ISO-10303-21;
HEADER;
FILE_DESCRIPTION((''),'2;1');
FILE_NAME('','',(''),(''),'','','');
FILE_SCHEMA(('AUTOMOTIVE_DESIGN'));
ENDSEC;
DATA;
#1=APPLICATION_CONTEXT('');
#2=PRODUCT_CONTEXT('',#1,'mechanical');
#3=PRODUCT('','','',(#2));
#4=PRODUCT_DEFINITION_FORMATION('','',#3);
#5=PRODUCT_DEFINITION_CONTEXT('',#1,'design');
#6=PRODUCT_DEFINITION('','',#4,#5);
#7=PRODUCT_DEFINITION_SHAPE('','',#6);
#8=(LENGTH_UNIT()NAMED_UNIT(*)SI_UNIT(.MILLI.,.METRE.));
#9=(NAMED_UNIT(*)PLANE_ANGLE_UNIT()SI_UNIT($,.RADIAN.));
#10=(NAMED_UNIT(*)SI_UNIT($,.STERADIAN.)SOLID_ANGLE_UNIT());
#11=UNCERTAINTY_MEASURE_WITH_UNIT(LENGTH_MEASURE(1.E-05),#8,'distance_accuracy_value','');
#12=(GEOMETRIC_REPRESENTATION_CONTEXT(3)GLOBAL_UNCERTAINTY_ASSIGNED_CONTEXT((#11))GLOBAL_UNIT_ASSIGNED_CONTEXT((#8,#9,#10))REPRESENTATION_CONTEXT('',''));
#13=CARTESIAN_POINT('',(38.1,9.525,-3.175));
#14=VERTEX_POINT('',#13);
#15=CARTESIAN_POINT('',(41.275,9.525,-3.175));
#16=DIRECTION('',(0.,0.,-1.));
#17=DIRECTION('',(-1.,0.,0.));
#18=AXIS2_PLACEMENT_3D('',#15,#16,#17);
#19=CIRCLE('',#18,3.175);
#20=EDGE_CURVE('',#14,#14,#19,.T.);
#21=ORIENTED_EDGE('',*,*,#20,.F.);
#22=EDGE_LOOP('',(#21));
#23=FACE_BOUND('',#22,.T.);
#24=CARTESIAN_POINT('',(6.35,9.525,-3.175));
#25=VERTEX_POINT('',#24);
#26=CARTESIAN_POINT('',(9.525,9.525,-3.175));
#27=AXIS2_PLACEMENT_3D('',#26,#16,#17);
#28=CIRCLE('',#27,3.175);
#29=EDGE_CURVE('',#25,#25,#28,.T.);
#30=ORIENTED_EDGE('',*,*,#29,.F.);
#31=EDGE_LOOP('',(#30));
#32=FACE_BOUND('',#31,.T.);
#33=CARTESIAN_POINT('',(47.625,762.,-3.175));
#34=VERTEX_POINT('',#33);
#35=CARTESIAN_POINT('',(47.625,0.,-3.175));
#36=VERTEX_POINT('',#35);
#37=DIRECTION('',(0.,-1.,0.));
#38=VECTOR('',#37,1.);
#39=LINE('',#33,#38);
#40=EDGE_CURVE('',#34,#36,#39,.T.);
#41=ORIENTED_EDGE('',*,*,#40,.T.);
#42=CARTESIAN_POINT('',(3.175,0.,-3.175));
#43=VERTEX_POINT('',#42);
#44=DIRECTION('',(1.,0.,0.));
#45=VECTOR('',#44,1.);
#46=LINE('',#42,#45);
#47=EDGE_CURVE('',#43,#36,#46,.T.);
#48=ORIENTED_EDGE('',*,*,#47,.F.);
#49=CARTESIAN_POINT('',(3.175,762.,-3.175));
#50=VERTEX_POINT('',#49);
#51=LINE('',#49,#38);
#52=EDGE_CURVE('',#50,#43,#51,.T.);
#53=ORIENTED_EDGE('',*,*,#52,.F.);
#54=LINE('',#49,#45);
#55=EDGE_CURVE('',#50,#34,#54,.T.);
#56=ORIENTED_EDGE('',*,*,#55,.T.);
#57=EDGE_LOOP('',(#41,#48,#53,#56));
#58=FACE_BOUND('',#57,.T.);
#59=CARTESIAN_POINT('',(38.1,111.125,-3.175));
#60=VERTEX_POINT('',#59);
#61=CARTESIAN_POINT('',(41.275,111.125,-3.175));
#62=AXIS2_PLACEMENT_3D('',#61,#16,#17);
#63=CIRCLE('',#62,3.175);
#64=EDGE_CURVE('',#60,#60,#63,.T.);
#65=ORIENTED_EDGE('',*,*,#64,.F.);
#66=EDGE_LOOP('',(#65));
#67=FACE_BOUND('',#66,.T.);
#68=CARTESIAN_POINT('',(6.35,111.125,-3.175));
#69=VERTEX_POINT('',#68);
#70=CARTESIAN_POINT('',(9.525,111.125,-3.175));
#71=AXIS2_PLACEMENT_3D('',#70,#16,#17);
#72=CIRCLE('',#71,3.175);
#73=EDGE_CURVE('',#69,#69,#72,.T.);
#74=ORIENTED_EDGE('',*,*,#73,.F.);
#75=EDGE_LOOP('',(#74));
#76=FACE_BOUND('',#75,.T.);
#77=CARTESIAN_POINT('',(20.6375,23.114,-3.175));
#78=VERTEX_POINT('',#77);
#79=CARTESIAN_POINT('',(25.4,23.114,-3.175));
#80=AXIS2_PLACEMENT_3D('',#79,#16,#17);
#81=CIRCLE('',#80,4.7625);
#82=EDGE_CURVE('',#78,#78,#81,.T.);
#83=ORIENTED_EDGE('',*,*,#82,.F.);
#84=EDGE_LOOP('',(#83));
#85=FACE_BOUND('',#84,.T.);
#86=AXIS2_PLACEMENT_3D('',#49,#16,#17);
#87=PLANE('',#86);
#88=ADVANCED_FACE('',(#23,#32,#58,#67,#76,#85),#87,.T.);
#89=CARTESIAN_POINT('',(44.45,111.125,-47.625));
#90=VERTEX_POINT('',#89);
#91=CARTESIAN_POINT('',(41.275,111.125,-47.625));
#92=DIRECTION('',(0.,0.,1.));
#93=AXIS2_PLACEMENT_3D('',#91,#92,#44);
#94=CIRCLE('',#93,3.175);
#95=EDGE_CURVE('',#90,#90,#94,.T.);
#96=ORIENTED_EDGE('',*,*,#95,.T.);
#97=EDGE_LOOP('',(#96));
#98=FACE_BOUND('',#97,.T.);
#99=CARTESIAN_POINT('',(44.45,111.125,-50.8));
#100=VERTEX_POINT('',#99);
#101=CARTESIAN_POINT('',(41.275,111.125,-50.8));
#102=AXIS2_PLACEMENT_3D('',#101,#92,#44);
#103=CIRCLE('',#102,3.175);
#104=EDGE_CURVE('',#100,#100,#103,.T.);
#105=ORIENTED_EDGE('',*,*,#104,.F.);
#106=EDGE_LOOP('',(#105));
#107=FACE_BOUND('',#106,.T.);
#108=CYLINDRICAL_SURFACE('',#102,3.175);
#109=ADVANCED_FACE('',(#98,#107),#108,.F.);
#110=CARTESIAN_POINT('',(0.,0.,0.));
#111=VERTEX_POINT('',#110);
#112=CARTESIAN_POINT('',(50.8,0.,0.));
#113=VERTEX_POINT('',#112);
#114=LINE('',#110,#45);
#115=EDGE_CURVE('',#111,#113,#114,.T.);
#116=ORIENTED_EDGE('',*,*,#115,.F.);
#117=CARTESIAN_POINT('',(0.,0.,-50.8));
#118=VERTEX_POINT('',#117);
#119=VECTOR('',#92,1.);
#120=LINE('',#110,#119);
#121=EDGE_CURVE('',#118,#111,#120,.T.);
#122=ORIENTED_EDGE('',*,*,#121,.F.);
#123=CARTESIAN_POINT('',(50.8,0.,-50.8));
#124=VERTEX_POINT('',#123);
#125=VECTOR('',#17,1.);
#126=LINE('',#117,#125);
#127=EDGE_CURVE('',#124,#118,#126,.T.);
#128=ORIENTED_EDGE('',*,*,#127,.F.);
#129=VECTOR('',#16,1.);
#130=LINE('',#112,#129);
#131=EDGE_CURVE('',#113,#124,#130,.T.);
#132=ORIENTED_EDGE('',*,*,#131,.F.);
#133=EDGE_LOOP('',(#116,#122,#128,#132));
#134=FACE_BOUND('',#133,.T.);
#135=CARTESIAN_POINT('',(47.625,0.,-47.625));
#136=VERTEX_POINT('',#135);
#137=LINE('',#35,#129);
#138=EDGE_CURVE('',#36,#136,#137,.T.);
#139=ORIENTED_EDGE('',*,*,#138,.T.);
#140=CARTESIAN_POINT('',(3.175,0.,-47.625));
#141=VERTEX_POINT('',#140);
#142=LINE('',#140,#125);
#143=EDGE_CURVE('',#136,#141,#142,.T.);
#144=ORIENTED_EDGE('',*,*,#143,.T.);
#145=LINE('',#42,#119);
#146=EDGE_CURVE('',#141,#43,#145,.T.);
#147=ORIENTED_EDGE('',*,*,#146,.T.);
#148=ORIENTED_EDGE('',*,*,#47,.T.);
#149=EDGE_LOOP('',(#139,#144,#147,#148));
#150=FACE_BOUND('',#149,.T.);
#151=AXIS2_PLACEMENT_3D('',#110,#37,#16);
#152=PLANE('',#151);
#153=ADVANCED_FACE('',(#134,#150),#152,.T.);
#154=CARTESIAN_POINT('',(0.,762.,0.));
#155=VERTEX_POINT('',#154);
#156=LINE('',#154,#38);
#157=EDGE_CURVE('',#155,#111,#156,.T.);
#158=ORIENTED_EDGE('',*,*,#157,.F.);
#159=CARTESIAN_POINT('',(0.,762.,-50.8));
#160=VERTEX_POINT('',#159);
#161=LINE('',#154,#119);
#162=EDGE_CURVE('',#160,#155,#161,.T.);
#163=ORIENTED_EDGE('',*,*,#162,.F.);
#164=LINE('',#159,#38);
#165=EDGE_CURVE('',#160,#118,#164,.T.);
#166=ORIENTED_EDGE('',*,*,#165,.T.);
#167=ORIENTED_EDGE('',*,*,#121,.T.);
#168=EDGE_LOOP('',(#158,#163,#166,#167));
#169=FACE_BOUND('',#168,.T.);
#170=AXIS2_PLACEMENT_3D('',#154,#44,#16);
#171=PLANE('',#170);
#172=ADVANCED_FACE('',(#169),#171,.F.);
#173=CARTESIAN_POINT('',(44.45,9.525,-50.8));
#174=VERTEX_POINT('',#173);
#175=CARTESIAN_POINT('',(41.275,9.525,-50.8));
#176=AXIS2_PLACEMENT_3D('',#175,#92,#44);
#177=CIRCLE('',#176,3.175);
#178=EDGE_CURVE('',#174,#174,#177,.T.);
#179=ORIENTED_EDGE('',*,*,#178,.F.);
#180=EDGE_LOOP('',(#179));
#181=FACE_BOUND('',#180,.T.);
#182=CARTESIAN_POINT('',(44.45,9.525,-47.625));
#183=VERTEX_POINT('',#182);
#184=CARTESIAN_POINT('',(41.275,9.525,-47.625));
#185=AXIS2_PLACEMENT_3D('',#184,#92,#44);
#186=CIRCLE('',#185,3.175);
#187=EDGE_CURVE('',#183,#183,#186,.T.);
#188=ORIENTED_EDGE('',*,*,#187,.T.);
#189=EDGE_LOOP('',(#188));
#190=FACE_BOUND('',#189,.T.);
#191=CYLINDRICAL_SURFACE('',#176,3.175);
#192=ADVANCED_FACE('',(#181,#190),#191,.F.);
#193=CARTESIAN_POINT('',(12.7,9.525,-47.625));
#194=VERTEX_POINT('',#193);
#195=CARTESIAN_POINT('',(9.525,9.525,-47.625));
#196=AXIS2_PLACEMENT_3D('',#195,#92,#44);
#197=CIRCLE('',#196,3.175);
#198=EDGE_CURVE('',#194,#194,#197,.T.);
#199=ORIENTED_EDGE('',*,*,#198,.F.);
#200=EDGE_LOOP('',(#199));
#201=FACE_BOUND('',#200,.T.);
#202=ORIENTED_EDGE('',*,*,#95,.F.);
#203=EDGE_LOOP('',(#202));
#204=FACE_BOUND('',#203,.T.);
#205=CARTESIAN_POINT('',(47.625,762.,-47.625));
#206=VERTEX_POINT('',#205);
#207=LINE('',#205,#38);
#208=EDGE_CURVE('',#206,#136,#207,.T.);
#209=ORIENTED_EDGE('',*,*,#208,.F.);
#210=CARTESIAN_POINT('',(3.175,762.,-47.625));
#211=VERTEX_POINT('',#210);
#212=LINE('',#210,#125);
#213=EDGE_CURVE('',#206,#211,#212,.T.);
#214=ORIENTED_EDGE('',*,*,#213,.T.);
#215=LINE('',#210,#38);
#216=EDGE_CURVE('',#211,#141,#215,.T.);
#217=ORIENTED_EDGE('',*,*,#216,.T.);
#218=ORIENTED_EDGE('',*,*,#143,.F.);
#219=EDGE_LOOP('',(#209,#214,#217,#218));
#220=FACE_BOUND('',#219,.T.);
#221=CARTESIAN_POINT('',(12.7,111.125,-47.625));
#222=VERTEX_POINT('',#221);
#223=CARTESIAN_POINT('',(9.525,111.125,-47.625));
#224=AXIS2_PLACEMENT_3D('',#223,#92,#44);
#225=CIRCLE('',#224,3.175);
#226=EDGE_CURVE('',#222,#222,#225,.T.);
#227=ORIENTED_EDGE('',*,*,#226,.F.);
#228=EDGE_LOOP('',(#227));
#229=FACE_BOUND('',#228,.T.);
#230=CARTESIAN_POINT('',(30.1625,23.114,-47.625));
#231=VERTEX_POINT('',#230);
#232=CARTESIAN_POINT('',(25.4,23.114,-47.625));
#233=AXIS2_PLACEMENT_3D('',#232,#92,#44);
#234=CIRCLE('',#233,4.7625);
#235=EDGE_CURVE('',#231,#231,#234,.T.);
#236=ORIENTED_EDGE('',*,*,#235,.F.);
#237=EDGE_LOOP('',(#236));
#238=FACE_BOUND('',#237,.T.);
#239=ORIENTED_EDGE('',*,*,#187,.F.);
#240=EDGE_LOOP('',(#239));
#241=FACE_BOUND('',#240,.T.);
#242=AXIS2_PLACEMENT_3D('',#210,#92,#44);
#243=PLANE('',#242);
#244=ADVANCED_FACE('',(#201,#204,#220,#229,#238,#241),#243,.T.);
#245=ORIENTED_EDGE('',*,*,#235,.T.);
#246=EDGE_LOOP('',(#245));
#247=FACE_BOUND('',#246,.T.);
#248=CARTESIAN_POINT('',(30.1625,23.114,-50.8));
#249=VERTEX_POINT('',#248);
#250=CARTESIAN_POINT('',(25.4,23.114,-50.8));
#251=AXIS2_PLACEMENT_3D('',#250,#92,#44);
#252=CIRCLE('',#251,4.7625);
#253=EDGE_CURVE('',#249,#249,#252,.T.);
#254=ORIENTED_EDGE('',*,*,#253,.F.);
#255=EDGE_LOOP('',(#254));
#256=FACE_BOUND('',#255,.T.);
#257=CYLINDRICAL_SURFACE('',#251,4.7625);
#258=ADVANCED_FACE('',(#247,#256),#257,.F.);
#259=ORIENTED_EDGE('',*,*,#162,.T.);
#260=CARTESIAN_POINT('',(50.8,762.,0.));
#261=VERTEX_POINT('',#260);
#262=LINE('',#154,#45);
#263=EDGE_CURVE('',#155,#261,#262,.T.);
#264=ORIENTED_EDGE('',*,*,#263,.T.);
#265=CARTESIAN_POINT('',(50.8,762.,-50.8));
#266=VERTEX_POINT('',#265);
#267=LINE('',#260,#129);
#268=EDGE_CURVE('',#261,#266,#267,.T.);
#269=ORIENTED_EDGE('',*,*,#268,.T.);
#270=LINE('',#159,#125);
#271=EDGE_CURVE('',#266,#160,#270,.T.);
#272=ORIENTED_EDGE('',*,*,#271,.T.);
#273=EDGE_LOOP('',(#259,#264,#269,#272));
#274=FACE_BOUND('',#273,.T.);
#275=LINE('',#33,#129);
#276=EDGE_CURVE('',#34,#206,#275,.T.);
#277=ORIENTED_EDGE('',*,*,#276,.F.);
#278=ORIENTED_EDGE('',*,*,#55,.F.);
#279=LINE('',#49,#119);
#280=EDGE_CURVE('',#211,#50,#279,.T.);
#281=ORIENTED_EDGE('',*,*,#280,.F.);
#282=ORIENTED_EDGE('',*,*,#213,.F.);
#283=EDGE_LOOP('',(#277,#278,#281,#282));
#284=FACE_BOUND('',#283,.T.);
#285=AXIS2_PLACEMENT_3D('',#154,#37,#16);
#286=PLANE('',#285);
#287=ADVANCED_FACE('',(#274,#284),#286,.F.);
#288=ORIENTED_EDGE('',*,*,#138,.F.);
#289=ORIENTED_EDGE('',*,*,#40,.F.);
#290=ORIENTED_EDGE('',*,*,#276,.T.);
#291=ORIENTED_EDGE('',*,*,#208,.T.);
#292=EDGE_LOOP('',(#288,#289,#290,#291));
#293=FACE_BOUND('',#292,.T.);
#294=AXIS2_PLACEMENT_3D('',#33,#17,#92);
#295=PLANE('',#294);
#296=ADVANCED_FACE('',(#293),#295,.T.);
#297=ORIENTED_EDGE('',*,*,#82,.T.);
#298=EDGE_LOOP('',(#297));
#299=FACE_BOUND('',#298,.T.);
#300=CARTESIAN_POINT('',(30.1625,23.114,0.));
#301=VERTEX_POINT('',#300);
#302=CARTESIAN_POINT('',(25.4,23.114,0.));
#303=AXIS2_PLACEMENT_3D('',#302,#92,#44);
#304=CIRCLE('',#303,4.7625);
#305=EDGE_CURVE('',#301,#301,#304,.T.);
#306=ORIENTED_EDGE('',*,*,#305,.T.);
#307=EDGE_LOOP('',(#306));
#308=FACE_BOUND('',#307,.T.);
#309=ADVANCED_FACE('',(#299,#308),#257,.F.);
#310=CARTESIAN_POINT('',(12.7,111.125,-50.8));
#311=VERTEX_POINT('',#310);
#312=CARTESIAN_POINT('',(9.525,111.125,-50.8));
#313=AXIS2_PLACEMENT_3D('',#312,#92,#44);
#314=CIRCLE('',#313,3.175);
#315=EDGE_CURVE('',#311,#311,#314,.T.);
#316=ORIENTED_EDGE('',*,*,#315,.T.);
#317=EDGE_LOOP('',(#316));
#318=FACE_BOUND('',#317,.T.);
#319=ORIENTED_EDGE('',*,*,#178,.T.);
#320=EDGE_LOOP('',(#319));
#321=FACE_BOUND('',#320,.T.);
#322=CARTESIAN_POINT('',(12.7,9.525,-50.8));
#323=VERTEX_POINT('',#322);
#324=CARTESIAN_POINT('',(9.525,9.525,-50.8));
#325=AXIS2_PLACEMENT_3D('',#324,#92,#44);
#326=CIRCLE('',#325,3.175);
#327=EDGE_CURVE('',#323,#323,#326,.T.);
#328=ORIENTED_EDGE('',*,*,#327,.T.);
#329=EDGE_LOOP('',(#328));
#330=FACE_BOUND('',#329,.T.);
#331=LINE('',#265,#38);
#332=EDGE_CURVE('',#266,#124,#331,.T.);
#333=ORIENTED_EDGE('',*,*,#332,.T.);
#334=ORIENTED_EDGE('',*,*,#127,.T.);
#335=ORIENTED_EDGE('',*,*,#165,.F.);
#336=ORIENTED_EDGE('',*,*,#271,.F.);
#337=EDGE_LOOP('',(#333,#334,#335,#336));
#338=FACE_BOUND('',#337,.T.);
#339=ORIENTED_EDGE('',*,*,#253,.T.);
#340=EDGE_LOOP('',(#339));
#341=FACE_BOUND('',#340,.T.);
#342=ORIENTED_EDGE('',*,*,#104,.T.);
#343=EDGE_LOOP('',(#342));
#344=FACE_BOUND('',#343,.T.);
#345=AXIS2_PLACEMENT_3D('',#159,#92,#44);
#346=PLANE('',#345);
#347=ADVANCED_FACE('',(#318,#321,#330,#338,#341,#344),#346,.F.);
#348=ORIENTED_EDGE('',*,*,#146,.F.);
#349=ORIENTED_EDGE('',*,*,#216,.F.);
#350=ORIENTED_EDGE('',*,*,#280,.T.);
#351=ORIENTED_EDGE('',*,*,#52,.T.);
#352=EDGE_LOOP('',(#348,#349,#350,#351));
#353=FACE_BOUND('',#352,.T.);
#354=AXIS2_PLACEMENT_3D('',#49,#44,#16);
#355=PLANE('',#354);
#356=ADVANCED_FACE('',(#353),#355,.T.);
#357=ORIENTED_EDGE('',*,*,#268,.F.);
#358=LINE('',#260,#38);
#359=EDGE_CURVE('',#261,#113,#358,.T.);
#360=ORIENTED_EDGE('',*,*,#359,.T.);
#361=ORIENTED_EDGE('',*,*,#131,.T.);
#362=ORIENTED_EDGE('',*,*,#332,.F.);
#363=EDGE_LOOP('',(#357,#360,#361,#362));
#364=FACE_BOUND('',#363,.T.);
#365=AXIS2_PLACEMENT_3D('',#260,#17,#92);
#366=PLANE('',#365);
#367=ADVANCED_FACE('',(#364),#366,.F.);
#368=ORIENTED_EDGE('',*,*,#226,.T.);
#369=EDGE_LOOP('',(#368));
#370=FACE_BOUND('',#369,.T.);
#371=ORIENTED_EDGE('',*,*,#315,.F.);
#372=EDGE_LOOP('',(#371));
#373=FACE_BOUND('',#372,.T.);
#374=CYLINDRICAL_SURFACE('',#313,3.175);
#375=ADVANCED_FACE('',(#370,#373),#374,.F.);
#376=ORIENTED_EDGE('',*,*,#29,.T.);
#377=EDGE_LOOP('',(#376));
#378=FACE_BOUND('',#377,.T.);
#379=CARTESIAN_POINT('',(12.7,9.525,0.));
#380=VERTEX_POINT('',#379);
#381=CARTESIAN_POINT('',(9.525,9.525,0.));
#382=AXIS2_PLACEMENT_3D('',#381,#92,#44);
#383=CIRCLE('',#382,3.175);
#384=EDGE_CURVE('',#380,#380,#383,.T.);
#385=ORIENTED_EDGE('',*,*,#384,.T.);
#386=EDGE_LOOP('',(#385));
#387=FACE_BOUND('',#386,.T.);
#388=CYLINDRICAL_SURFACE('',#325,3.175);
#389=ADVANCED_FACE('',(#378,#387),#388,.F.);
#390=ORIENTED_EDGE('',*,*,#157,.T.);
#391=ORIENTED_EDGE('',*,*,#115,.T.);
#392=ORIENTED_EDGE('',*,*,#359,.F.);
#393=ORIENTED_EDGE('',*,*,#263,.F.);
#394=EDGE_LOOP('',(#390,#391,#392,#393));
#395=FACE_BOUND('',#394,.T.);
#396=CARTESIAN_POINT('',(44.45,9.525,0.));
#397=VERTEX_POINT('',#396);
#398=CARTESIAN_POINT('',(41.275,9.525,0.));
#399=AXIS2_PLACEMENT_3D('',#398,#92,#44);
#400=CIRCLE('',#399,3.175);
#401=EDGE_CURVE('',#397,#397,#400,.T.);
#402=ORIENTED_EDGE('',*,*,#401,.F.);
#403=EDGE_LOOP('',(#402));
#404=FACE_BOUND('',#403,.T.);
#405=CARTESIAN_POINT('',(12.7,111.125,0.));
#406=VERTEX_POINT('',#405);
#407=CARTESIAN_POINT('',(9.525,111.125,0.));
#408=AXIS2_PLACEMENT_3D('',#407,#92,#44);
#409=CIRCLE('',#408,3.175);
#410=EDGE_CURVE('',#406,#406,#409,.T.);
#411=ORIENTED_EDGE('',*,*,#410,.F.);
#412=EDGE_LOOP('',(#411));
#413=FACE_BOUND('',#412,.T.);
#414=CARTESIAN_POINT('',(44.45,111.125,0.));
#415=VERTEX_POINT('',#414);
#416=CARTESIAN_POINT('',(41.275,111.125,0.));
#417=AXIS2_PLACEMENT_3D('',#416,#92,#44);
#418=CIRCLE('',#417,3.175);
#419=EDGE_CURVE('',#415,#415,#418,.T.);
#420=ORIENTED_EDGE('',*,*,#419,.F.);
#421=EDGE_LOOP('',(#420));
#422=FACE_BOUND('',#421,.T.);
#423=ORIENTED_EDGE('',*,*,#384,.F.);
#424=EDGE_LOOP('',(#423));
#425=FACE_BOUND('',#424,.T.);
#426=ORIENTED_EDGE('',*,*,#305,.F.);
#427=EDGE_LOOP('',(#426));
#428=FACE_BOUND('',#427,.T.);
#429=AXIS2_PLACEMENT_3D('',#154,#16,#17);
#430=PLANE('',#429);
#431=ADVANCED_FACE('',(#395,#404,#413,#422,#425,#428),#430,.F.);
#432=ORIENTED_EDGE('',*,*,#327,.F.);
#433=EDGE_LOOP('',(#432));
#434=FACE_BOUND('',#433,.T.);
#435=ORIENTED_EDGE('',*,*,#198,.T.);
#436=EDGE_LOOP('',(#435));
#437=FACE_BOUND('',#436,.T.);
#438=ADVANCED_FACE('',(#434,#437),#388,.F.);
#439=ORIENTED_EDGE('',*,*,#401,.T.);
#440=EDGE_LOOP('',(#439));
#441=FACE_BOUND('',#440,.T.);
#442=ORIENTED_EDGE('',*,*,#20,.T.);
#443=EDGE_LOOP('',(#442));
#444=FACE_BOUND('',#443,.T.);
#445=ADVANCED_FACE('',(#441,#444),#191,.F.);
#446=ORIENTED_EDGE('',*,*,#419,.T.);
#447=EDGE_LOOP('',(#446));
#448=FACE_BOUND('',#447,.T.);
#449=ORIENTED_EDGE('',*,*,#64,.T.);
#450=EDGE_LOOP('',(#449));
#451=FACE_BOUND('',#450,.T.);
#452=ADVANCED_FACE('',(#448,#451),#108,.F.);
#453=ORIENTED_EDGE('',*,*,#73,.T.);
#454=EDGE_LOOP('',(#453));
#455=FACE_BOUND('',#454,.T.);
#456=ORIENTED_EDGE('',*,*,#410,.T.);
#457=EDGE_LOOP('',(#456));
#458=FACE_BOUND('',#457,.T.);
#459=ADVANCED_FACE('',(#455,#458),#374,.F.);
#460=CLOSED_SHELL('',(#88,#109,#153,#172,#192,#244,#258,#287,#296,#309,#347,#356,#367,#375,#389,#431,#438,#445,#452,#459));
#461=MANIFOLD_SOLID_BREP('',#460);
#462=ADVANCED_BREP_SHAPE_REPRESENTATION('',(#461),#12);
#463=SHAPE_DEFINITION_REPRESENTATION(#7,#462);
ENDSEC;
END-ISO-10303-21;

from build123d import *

# Parameters (mm, degrees)
SKETCH1_W           = 50.8
SKETCH1_H           = 50.8
SKETCH1_W_2         = 44.45
SKETCH1_H_2         = 44.45
BOSS_EXTRUDE1_DEPTH = 762
SKETCH2_R           = 3.175
SKETCH2_R_2         = 4.7625
CUT_EXTRUDE1_DEPTH  = 766.379174005


with BuildPart() as part:
    # Sketch1 → Boss-Extrude1 (new body)
    with BuildSketch(Plane(origin=(0, 0, 0), x_dir=(1, 0, 0), z_dir=(0, 1, 0))):
        with Locations((25.4, 25.4)):
            Rectangle(SKETCH1_W, SKETCH1_H)
        with Locations((25.4, 25.4)):
            Rectangle(SKETCH1_W_2, SKETCH1_H_2, mode=Mode.SUBTRACT)
    extrude(amount=BOSS_EXTRUDE1_DEPTH)

    # Sketch2 → Cut-Extrude1 (cut, through all)
    with BuildSketch(Plane.XY):
        with Locations((9.525, 111.125)):
            Circle(SKETCH2_R)
        with Locations((41.275, 111.125)):
            Circle(SKETCH2_R)
        with Locations((9.525, 9.525)):
            Circle(SKETCH2_R)
        with Locations((41.275, 9.525)):
            Circle(SKETCH2_R)
        with Locations((25.4, 23.114)):
            Circle(SKETCH2_R_2)
    extrude(amount=-CUT_EXTRUDE1_DEPTH, mode=Mode.SUBTRACT)


solid = part.part
